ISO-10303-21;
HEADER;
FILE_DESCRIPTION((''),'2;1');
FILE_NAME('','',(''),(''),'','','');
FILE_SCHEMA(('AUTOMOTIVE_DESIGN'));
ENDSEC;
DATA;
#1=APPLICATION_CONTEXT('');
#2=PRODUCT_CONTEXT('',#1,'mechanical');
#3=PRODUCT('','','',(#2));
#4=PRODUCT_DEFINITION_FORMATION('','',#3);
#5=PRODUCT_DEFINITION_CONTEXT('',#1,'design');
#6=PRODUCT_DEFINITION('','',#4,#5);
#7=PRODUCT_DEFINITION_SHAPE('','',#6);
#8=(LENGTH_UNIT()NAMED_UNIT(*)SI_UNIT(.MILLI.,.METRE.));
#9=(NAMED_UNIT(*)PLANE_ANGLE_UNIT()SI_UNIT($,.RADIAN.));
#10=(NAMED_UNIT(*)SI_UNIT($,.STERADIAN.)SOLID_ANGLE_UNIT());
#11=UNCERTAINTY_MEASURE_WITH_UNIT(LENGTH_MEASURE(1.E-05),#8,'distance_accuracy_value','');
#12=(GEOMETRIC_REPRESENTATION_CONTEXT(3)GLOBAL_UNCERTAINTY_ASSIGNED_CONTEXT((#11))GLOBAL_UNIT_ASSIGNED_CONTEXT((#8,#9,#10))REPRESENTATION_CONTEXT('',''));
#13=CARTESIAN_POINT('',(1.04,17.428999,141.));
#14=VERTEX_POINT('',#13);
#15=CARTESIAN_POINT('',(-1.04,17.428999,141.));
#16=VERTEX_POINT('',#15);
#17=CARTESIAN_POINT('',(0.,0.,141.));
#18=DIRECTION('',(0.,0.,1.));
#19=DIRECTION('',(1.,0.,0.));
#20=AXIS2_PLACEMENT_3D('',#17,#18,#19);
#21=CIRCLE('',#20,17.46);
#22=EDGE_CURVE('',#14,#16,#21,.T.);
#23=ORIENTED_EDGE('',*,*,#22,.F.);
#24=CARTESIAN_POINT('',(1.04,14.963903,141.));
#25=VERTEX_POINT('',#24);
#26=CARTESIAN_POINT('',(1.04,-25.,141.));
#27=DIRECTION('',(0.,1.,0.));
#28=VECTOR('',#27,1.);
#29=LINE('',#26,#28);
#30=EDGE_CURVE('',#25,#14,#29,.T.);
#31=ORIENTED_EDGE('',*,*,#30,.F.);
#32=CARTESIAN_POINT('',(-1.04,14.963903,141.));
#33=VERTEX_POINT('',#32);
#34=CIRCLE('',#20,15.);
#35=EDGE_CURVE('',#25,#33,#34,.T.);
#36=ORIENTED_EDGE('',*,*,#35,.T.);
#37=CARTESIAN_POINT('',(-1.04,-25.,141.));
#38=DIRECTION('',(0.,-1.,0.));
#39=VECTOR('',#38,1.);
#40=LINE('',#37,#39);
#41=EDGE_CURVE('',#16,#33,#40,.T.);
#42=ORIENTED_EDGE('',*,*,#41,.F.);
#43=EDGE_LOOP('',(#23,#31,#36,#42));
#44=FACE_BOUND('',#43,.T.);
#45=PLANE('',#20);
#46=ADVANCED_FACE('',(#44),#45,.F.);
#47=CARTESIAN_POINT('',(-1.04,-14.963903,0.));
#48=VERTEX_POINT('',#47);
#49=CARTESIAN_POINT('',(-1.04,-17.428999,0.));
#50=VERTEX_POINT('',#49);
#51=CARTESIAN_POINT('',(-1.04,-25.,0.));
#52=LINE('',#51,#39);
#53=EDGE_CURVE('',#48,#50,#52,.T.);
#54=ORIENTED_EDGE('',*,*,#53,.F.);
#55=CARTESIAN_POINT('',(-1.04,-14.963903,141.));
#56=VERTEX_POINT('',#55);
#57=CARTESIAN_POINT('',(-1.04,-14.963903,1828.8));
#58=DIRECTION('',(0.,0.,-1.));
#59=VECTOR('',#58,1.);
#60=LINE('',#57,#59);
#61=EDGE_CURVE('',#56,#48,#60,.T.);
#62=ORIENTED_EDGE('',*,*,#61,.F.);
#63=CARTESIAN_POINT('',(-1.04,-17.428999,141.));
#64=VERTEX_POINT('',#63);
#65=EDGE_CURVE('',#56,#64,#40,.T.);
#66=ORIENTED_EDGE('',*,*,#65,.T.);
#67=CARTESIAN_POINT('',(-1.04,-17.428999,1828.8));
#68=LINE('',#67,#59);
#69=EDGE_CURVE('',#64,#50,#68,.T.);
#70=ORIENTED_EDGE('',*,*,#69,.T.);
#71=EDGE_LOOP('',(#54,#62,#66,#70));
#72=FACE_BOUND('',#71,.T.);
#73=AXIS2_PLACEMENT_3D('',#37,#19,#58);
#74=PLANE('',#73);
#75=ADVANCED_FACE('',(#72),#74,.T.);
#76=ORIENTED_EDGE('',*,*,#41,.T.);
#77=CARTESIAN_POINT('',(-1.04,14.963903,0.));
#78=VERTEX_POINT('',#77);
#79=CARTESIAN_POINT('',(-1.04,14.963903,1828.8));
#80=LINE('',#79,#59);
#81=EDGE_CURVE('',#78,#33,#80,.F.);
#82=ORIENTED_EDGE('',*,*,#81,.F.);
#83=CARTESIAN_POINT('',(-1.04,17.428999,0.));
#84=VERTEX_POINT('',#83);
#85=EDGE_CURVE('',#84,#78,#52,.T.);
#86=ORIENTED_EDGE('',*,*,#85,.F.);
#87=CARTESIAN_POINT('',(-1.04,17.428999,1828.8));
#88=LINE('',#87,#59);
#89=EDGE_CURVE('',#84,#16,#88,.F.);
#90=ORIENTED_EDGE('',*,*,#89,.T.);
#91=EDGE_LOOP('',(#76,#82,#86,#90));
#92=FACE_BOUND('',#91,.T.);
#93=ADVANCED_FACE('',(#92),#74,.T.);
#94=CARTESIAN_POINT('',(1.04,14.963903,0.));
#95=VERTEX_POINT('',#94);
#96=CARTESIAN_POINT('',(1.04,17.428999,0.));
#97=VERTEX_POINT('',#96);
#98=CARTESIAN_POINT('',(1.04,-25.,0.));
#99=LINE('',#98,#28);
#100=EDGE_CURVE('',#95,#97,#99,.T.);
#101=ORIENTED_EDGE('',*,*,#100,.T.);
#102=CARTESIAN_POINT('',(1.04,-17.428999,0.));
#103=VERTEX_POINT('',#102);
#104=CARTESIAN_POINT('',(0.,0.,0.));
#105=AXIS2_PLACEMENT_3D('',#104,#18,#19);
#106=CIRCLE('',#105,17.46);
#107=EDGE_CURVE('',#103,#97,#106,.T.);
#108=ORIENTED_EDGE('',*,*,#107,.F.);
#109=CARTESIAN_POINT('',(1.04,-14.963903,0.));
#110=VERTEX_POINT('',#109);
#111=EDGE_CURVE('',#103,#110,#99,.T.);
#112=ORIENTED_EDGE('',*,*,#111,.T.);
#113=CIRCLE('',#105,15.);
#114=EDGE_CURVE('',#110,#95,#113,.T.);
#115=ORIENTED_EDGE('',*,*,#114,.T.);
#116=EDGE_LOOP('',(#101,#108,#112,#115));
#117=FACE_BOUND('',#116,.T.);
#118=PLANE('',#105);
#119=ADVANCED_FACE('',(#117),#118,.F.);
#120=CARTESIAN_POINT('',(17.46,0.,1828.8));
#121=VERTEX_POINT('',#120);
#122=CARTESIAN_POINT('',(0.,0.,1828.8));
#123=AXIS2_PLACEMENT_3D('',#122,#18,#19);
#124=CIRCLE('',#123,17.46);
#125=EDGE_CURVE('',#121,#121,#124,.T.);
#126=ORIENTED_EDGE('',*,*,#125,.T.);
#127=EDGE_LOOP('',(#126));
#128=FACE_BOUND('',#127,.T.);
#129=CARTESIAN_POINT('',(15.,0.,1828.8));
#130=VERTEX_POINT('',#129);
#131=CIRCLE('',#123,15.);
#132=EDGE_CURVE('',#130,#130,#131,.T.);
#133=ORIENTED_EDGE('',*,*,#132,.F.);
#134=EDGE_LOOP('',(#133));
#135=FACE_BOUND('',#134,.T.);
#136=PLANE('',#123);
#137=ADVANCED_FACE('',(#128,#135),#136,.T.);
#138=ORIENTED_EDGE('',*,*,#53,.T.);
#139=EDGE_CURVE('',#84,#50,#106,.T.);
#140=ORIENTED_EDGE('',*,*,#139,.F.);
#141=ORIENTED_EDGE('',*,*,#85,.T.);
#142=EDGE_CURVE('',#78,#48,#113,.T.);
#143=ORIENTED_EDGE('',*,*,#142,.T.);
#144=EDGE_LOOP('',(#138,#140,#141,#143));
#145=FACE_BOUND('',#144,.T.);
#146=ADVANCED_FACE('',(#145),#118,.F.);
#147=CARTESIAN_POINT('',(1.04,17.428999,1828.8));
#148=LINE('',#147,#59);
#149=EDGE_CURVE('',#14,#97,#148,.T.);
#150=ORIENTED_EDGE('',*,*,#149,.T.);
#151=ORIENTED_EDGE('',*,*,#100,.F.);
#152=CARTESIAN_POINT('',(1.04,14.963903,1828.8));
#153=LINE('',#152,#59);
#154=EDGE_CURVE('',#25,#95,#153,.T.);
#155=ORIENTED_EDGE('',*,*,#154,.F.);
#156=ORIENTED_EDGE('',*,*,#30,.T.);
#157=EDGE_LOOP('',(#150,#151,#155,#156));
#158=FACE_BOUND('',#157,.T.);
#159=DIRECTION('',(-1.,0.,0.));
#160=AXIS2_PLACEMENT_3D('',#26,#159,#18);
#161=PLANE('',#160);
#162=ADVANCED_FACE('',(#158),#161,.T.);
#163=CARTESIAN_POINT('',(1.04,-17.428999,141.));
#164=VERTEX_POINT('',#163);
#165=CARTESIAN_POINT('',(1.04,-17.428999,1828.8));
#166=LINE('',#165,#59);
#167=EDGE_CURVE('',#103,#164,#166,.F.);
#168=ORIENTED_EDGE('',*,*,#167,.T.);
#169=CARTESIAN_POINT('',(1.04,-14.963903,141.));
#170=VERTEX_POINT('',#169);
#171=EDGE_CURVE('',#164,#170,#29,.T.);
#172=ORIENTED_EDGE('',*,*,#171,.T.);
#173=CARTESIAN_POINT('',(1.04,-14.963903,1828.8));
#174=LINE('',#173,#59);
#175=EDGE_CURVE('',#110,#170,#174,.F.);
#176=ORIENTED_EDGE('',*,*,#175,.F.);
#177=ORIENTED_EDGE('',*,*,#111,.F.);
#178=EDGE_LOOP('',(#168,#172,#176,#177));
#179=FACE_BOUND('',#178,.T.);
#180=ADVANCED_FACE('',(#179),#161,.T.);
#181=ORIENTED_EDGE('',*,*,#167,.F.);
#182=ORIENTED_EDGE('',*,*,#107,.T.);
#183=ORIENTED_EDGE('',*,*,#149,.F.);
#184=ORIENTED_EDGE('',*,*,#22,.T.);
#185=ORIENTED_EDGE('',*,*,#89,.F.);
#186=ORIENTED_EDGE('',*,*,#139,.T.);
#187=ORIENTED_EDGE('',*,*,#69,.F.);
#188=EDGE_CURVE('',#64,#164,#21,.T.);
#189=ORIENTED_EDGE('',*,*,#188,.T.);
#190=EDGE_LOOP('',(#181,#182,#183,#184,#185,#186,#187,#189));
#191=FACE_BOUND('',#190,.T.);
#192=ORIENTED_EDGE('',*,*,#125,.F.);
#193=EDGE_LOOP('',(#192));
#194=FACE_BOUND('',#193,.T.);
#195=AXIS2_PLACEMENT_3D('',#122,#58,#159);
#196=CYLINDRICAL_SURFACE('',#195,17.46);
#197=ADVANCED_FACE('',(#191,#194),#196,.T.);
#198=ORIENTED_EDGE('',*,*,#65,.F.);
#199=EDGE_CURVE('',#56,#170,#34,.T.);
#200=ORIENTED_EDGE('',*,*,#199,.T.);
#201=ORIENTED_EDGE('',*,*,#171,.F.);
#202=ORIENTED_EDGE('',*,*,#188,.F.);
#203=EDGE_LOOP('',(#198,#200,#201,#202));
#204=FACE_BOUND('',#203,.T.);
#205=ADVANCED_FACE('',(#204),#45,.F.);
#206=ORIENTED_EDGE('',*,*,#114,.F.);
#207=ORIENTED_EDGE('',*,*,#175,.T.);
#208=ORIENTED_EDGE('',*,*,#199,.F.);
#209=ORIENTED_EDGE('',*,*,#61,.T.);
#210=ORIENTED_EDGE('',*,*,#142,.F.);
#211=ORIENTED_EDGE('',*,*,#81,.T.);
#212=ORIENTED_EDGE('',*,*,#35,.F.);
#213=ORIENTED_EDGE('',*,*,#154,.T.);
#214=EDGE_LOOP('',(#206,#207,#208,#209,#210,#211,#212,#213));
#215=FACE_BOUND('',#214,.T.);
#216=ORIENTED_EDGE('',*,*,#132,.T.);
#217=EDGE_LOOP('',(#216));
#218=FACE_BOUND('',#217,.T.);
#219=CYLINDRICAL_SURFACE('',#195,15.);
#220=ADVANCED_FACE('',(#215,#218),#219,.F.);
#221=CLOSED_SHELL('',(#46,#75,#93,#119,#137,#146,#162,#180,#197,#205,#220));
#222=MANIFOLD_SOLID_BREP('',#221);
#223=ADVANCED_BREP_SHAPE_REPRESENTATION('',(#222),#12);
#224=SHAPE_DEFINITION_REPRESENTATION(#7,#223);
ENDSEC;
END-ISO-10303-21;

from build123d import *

# Parameters (mm, degrees)
SKETCH1_R           = 17.46
SKETCH1_R_2         = 15
BOSS_EXTRUDE1_DEPTH = 1828.8
SKETCH4_W           = 2.08
SKETCH4_H           = 50
CUT_EXTRUDE2_DEPTH  = 141


with BuildPart() as part:
    # Sketch1 → Boss-Extrude1 (new body)
    with BuildSketch(Plane.XY):
        Circle(SKETCH1_R)
        Circle(SKETCH1_R_2, mode=Mode.SUBTRACT)
    extrude(amount=BOSS_EXTRUDE1_DEPTH)

    # Sketch4 → Cut-Extrude2 (cut)
    with BuildSketch(Plane.XY):
        Rectangle(SKETCH4_W, SKETCH4_H)
    extrude(amount=CUT_EXTRUDE2_DEPTH, mode=Mode.SUBTRACT)


solid = part.part
